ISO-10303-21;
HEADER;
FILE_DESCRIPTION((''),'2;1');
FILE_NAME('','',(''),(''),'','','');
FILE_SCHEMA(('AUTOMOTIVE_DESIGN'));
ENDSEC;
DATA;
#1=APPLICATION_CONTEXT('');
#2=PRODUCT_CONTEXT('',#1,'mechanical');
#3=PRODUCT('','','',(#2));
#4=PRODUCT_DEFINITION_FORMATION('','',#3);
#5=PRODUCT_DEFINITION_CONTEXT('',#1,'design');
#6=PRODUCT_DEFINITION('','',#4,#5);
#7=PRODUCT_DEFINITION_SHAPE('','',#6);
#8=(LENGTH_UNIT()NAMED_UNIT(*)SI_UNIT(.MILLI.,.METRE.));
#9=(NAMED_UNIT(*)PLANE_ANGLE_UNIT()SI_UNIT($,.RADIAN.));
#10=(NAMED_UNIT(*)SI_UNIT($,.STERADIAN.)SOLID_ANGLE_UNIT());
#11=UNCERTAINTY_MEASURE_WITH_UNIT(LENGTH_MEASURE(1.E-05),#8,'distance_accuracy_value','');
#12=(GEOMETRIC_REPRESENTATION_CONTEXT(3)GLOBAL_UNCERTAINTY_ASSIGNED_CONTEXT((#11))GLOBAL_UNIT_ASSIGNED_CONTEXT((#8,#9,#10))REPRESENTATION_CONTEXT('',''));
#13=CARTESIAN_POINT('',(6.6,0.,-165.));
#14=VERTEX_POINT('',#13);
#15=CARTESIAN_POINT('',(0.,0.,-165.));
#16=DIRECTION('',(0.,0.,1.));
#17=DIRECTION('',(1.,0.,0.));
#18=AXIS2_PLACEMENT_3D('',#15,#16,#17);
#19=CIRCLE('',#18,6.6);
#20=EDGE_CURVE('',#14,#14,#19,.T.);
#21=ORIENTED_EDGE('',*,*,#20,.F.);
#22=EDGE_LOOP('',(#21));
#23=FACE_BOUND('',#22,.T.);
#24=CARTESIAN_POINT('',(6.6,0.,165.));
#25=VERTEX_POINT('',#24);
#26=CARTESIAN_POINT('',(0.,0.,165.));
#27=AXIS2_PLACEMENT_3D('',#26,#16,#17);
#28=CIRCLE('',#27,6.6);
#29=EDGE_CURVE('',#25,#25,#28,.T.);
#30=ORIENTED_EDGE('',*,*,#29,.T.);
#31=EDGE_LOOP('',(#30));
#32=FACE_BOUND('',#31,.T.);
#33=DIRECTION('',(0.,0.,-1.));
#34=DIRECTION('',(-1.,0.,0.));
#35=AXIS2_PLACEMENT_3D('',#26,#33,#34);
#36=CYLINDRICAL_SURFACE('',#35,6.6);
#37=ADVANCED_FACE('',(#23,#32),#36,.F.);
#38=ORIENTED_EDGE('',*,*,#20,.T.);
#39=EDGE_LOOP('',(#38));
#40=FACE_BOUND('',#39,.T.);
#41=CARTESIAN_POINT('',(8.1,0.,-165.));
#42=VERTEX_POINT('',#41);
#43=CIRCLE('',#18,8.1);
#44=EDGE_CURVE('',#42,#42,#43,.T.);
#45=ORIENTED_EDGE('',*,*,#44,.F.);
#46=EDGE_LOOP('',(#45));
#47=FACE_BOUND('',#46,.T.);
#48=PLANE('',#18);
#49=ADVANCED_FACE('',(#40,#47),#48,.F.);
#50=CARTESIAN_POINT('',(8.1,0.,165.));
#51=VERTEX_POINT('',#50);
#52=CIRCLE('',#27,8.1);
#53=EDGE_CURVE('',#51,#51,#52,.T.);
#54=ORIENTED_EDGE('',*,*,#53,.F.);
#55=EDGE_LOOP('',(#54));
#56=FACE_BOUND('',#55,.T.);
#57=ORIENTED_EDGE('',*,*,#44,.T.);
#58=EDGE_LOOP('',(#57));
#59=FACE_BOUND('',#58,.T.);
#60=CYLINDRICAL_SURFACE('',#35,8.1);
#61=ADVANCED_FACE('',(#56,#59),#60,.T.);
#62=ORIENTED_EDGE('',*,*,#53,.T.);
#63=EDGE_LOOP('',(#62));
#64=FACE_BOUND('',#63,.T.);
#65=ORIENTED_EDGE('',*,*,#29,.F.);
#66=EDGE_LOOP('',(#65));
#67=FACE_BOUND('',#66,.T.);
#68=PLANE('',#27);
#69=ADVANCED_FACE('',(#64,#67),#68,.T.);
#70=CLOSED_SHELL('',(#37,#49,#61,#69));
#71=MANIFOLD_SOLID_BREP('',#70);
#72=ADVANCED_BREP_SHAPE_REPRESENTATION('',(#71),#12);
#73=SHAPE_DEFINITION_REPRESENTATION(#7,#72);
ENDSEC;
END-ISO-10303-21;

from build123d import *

# Parameters (mm, degrees)
CROQUIS1_R              = 8.1
CROQUIS1_R_2            = 6.6
SALIENTE_EXTRUIR1_DEPTH = 165


with BuildPart() as part:
    # Croquis1 → Saliente-Extruir1 (new, symmetric)
    with BuildSketch(Plane.XY):
        Circle(CROQUIS1_R)
        Circle(CROQUIS1_R_2, mode=Mode.SUBTRACT)
    extrude(amount=SALIENTE_EXTRUIR1_DEPTH, both=True)


solid = part.part
